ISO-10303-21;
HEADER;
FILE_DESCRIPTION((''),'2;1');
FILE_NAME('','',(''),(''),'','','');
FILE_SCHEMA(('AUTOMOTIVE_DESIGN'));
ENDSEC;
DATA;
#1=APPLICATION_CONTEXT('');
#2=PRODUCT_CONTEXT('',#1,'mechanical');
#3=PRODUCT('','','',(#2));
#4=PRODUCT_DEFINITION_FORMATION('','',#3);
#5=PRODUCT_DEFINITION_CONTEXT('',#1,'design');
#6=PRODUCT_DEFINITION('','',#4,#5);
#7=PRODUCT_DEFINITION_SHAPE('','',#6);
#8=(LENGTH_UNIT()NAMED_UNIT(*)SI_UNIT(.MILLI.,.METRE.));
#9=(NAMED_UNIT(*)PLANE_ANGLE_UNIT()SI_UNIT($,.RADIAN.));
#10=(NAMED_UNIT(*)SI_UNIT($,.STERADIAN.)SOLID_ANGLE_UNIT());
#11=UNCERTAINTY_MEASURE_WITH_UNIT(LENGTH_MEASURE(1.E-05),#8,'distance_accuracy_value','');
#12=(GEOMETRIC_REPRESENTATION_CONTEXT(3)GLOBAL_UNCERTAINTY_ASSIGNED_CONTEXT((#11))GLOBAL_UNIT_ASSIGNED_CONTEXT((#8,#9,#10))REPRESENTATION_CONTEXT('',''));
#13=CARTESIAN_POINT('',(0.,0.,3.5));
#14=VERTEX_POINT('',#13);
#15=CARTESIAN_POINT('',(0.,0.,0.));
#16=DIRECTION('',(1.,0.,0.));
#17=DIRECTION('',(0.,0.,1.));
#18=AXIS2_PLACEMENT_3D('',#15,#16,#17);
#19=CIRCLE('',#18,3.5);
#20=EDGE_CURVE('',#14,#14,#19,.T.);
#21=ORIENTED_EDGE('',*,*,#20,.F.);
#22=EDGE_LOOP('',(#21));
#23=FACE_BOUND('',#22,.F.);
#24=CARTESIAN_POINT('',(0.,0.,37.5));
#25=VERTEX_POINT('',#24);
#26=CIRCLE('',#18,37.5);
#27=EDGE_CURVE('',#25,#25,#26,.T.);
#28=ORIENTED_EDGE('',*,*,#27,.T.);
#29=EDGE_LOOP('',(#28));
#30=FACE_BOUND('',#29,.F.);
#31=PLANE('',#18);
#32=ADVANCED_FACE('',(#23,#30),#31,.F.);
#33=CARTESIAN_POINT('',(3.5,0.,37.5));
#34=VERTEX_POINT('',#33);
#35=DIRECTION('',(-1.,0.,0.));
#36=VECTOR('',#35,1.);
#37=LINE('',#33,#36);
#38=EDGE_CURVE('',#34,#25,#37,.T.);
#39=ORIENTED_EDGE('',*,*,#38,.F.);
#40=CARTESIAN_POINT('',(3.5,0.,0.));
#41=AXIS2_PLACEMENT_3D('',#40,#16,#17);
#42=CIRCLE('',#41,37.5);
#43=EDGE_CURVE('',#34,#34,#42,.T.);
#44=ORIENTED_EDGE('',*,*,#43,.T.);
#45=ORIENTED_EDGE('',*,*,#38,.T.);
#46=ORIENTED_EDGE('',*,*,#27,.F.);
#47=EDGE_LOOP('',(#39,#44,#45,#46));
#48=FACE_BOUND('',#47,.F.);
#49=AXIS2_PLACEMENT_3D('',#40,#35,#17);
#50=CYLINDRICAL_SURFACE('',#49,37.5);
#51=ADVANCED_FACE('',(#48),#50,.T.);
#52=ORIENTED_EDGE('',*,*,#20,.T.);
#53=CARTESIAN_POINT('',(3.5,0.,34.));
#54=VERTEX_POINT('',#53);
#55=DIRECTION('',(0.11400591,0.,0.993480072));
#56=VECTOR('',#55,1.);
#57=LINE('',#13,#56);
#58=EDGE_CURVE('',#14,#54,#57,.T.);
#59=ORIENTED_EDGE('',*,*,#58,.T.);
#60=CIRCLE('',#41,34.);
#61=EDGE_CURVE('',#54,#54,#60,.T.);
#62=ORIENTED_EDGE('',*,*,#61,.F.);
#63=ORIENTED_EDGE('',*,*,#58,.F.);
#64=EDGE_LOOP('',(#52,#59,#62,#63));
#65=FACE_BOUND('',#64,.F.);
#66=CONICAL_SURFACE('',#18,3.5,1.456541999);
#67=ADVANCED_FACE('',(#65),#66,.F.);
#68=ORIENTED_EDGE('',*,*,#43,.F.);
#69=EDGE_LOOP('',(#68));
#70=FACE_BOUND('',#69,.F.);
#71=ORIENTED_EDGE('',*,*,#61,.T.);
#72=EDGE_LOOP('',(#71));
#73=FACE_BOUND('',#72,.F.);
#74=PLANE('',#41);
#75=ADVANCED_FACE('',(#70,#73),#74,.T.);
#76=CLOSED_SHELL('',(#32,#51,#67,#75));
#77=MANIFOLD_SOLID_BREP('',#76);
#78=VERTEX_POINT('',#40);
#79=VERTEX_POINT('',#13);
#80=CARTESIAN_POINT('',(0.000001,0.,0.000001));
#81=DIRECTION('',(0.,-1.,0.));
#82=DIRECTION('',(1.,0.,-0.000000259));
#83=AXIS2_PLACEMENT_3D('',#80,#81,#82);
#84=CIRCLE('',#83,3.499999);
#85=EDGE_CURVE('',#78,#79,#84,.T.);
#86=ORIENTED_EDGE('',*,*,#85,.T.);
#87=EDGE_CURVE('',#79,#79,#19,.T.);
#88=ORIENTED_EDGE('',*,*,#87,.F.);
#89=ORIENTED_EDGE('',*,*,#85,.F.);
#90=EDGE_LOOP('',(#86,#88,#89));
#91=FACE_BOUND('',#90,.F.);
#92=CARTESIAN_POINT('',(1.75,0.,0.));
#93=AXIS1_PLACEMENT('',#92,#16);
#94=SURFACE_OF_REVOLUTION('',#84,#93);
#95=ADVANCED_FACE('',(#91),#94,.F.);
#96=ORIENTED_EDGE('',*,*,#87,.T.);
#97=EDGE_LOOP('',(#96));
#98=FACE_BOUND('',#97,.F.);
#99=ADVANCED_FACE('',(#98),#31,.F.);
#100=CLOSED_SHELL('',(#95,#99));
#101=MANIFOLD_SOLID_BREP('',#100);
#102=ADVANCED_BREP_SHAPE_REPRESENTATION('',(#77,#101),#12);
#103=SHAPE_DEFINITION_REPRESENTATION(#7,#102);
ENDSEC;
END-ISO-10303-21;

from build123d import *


with BuildPart() as f1:
    # F0 (on Front) → F1 (revolve)
    with BuildSketch(Plane.XZ):
        Polygon((0, 37.5), (0, 3.5), (3.5, 34), (3.5, 37.5), align=None)
        with BuildLine():
            Line((0, 3.5), (0, 0))
            Line((0, 0), (3.5, 0))
            ThreePointArc((3.5, 0), (2.474874, 2.474874), (0, 3.5))
        make_face()
    revolve(axis=Axis((1.75, 0, 0), (1, 0, 0)))


solid = f1.part
